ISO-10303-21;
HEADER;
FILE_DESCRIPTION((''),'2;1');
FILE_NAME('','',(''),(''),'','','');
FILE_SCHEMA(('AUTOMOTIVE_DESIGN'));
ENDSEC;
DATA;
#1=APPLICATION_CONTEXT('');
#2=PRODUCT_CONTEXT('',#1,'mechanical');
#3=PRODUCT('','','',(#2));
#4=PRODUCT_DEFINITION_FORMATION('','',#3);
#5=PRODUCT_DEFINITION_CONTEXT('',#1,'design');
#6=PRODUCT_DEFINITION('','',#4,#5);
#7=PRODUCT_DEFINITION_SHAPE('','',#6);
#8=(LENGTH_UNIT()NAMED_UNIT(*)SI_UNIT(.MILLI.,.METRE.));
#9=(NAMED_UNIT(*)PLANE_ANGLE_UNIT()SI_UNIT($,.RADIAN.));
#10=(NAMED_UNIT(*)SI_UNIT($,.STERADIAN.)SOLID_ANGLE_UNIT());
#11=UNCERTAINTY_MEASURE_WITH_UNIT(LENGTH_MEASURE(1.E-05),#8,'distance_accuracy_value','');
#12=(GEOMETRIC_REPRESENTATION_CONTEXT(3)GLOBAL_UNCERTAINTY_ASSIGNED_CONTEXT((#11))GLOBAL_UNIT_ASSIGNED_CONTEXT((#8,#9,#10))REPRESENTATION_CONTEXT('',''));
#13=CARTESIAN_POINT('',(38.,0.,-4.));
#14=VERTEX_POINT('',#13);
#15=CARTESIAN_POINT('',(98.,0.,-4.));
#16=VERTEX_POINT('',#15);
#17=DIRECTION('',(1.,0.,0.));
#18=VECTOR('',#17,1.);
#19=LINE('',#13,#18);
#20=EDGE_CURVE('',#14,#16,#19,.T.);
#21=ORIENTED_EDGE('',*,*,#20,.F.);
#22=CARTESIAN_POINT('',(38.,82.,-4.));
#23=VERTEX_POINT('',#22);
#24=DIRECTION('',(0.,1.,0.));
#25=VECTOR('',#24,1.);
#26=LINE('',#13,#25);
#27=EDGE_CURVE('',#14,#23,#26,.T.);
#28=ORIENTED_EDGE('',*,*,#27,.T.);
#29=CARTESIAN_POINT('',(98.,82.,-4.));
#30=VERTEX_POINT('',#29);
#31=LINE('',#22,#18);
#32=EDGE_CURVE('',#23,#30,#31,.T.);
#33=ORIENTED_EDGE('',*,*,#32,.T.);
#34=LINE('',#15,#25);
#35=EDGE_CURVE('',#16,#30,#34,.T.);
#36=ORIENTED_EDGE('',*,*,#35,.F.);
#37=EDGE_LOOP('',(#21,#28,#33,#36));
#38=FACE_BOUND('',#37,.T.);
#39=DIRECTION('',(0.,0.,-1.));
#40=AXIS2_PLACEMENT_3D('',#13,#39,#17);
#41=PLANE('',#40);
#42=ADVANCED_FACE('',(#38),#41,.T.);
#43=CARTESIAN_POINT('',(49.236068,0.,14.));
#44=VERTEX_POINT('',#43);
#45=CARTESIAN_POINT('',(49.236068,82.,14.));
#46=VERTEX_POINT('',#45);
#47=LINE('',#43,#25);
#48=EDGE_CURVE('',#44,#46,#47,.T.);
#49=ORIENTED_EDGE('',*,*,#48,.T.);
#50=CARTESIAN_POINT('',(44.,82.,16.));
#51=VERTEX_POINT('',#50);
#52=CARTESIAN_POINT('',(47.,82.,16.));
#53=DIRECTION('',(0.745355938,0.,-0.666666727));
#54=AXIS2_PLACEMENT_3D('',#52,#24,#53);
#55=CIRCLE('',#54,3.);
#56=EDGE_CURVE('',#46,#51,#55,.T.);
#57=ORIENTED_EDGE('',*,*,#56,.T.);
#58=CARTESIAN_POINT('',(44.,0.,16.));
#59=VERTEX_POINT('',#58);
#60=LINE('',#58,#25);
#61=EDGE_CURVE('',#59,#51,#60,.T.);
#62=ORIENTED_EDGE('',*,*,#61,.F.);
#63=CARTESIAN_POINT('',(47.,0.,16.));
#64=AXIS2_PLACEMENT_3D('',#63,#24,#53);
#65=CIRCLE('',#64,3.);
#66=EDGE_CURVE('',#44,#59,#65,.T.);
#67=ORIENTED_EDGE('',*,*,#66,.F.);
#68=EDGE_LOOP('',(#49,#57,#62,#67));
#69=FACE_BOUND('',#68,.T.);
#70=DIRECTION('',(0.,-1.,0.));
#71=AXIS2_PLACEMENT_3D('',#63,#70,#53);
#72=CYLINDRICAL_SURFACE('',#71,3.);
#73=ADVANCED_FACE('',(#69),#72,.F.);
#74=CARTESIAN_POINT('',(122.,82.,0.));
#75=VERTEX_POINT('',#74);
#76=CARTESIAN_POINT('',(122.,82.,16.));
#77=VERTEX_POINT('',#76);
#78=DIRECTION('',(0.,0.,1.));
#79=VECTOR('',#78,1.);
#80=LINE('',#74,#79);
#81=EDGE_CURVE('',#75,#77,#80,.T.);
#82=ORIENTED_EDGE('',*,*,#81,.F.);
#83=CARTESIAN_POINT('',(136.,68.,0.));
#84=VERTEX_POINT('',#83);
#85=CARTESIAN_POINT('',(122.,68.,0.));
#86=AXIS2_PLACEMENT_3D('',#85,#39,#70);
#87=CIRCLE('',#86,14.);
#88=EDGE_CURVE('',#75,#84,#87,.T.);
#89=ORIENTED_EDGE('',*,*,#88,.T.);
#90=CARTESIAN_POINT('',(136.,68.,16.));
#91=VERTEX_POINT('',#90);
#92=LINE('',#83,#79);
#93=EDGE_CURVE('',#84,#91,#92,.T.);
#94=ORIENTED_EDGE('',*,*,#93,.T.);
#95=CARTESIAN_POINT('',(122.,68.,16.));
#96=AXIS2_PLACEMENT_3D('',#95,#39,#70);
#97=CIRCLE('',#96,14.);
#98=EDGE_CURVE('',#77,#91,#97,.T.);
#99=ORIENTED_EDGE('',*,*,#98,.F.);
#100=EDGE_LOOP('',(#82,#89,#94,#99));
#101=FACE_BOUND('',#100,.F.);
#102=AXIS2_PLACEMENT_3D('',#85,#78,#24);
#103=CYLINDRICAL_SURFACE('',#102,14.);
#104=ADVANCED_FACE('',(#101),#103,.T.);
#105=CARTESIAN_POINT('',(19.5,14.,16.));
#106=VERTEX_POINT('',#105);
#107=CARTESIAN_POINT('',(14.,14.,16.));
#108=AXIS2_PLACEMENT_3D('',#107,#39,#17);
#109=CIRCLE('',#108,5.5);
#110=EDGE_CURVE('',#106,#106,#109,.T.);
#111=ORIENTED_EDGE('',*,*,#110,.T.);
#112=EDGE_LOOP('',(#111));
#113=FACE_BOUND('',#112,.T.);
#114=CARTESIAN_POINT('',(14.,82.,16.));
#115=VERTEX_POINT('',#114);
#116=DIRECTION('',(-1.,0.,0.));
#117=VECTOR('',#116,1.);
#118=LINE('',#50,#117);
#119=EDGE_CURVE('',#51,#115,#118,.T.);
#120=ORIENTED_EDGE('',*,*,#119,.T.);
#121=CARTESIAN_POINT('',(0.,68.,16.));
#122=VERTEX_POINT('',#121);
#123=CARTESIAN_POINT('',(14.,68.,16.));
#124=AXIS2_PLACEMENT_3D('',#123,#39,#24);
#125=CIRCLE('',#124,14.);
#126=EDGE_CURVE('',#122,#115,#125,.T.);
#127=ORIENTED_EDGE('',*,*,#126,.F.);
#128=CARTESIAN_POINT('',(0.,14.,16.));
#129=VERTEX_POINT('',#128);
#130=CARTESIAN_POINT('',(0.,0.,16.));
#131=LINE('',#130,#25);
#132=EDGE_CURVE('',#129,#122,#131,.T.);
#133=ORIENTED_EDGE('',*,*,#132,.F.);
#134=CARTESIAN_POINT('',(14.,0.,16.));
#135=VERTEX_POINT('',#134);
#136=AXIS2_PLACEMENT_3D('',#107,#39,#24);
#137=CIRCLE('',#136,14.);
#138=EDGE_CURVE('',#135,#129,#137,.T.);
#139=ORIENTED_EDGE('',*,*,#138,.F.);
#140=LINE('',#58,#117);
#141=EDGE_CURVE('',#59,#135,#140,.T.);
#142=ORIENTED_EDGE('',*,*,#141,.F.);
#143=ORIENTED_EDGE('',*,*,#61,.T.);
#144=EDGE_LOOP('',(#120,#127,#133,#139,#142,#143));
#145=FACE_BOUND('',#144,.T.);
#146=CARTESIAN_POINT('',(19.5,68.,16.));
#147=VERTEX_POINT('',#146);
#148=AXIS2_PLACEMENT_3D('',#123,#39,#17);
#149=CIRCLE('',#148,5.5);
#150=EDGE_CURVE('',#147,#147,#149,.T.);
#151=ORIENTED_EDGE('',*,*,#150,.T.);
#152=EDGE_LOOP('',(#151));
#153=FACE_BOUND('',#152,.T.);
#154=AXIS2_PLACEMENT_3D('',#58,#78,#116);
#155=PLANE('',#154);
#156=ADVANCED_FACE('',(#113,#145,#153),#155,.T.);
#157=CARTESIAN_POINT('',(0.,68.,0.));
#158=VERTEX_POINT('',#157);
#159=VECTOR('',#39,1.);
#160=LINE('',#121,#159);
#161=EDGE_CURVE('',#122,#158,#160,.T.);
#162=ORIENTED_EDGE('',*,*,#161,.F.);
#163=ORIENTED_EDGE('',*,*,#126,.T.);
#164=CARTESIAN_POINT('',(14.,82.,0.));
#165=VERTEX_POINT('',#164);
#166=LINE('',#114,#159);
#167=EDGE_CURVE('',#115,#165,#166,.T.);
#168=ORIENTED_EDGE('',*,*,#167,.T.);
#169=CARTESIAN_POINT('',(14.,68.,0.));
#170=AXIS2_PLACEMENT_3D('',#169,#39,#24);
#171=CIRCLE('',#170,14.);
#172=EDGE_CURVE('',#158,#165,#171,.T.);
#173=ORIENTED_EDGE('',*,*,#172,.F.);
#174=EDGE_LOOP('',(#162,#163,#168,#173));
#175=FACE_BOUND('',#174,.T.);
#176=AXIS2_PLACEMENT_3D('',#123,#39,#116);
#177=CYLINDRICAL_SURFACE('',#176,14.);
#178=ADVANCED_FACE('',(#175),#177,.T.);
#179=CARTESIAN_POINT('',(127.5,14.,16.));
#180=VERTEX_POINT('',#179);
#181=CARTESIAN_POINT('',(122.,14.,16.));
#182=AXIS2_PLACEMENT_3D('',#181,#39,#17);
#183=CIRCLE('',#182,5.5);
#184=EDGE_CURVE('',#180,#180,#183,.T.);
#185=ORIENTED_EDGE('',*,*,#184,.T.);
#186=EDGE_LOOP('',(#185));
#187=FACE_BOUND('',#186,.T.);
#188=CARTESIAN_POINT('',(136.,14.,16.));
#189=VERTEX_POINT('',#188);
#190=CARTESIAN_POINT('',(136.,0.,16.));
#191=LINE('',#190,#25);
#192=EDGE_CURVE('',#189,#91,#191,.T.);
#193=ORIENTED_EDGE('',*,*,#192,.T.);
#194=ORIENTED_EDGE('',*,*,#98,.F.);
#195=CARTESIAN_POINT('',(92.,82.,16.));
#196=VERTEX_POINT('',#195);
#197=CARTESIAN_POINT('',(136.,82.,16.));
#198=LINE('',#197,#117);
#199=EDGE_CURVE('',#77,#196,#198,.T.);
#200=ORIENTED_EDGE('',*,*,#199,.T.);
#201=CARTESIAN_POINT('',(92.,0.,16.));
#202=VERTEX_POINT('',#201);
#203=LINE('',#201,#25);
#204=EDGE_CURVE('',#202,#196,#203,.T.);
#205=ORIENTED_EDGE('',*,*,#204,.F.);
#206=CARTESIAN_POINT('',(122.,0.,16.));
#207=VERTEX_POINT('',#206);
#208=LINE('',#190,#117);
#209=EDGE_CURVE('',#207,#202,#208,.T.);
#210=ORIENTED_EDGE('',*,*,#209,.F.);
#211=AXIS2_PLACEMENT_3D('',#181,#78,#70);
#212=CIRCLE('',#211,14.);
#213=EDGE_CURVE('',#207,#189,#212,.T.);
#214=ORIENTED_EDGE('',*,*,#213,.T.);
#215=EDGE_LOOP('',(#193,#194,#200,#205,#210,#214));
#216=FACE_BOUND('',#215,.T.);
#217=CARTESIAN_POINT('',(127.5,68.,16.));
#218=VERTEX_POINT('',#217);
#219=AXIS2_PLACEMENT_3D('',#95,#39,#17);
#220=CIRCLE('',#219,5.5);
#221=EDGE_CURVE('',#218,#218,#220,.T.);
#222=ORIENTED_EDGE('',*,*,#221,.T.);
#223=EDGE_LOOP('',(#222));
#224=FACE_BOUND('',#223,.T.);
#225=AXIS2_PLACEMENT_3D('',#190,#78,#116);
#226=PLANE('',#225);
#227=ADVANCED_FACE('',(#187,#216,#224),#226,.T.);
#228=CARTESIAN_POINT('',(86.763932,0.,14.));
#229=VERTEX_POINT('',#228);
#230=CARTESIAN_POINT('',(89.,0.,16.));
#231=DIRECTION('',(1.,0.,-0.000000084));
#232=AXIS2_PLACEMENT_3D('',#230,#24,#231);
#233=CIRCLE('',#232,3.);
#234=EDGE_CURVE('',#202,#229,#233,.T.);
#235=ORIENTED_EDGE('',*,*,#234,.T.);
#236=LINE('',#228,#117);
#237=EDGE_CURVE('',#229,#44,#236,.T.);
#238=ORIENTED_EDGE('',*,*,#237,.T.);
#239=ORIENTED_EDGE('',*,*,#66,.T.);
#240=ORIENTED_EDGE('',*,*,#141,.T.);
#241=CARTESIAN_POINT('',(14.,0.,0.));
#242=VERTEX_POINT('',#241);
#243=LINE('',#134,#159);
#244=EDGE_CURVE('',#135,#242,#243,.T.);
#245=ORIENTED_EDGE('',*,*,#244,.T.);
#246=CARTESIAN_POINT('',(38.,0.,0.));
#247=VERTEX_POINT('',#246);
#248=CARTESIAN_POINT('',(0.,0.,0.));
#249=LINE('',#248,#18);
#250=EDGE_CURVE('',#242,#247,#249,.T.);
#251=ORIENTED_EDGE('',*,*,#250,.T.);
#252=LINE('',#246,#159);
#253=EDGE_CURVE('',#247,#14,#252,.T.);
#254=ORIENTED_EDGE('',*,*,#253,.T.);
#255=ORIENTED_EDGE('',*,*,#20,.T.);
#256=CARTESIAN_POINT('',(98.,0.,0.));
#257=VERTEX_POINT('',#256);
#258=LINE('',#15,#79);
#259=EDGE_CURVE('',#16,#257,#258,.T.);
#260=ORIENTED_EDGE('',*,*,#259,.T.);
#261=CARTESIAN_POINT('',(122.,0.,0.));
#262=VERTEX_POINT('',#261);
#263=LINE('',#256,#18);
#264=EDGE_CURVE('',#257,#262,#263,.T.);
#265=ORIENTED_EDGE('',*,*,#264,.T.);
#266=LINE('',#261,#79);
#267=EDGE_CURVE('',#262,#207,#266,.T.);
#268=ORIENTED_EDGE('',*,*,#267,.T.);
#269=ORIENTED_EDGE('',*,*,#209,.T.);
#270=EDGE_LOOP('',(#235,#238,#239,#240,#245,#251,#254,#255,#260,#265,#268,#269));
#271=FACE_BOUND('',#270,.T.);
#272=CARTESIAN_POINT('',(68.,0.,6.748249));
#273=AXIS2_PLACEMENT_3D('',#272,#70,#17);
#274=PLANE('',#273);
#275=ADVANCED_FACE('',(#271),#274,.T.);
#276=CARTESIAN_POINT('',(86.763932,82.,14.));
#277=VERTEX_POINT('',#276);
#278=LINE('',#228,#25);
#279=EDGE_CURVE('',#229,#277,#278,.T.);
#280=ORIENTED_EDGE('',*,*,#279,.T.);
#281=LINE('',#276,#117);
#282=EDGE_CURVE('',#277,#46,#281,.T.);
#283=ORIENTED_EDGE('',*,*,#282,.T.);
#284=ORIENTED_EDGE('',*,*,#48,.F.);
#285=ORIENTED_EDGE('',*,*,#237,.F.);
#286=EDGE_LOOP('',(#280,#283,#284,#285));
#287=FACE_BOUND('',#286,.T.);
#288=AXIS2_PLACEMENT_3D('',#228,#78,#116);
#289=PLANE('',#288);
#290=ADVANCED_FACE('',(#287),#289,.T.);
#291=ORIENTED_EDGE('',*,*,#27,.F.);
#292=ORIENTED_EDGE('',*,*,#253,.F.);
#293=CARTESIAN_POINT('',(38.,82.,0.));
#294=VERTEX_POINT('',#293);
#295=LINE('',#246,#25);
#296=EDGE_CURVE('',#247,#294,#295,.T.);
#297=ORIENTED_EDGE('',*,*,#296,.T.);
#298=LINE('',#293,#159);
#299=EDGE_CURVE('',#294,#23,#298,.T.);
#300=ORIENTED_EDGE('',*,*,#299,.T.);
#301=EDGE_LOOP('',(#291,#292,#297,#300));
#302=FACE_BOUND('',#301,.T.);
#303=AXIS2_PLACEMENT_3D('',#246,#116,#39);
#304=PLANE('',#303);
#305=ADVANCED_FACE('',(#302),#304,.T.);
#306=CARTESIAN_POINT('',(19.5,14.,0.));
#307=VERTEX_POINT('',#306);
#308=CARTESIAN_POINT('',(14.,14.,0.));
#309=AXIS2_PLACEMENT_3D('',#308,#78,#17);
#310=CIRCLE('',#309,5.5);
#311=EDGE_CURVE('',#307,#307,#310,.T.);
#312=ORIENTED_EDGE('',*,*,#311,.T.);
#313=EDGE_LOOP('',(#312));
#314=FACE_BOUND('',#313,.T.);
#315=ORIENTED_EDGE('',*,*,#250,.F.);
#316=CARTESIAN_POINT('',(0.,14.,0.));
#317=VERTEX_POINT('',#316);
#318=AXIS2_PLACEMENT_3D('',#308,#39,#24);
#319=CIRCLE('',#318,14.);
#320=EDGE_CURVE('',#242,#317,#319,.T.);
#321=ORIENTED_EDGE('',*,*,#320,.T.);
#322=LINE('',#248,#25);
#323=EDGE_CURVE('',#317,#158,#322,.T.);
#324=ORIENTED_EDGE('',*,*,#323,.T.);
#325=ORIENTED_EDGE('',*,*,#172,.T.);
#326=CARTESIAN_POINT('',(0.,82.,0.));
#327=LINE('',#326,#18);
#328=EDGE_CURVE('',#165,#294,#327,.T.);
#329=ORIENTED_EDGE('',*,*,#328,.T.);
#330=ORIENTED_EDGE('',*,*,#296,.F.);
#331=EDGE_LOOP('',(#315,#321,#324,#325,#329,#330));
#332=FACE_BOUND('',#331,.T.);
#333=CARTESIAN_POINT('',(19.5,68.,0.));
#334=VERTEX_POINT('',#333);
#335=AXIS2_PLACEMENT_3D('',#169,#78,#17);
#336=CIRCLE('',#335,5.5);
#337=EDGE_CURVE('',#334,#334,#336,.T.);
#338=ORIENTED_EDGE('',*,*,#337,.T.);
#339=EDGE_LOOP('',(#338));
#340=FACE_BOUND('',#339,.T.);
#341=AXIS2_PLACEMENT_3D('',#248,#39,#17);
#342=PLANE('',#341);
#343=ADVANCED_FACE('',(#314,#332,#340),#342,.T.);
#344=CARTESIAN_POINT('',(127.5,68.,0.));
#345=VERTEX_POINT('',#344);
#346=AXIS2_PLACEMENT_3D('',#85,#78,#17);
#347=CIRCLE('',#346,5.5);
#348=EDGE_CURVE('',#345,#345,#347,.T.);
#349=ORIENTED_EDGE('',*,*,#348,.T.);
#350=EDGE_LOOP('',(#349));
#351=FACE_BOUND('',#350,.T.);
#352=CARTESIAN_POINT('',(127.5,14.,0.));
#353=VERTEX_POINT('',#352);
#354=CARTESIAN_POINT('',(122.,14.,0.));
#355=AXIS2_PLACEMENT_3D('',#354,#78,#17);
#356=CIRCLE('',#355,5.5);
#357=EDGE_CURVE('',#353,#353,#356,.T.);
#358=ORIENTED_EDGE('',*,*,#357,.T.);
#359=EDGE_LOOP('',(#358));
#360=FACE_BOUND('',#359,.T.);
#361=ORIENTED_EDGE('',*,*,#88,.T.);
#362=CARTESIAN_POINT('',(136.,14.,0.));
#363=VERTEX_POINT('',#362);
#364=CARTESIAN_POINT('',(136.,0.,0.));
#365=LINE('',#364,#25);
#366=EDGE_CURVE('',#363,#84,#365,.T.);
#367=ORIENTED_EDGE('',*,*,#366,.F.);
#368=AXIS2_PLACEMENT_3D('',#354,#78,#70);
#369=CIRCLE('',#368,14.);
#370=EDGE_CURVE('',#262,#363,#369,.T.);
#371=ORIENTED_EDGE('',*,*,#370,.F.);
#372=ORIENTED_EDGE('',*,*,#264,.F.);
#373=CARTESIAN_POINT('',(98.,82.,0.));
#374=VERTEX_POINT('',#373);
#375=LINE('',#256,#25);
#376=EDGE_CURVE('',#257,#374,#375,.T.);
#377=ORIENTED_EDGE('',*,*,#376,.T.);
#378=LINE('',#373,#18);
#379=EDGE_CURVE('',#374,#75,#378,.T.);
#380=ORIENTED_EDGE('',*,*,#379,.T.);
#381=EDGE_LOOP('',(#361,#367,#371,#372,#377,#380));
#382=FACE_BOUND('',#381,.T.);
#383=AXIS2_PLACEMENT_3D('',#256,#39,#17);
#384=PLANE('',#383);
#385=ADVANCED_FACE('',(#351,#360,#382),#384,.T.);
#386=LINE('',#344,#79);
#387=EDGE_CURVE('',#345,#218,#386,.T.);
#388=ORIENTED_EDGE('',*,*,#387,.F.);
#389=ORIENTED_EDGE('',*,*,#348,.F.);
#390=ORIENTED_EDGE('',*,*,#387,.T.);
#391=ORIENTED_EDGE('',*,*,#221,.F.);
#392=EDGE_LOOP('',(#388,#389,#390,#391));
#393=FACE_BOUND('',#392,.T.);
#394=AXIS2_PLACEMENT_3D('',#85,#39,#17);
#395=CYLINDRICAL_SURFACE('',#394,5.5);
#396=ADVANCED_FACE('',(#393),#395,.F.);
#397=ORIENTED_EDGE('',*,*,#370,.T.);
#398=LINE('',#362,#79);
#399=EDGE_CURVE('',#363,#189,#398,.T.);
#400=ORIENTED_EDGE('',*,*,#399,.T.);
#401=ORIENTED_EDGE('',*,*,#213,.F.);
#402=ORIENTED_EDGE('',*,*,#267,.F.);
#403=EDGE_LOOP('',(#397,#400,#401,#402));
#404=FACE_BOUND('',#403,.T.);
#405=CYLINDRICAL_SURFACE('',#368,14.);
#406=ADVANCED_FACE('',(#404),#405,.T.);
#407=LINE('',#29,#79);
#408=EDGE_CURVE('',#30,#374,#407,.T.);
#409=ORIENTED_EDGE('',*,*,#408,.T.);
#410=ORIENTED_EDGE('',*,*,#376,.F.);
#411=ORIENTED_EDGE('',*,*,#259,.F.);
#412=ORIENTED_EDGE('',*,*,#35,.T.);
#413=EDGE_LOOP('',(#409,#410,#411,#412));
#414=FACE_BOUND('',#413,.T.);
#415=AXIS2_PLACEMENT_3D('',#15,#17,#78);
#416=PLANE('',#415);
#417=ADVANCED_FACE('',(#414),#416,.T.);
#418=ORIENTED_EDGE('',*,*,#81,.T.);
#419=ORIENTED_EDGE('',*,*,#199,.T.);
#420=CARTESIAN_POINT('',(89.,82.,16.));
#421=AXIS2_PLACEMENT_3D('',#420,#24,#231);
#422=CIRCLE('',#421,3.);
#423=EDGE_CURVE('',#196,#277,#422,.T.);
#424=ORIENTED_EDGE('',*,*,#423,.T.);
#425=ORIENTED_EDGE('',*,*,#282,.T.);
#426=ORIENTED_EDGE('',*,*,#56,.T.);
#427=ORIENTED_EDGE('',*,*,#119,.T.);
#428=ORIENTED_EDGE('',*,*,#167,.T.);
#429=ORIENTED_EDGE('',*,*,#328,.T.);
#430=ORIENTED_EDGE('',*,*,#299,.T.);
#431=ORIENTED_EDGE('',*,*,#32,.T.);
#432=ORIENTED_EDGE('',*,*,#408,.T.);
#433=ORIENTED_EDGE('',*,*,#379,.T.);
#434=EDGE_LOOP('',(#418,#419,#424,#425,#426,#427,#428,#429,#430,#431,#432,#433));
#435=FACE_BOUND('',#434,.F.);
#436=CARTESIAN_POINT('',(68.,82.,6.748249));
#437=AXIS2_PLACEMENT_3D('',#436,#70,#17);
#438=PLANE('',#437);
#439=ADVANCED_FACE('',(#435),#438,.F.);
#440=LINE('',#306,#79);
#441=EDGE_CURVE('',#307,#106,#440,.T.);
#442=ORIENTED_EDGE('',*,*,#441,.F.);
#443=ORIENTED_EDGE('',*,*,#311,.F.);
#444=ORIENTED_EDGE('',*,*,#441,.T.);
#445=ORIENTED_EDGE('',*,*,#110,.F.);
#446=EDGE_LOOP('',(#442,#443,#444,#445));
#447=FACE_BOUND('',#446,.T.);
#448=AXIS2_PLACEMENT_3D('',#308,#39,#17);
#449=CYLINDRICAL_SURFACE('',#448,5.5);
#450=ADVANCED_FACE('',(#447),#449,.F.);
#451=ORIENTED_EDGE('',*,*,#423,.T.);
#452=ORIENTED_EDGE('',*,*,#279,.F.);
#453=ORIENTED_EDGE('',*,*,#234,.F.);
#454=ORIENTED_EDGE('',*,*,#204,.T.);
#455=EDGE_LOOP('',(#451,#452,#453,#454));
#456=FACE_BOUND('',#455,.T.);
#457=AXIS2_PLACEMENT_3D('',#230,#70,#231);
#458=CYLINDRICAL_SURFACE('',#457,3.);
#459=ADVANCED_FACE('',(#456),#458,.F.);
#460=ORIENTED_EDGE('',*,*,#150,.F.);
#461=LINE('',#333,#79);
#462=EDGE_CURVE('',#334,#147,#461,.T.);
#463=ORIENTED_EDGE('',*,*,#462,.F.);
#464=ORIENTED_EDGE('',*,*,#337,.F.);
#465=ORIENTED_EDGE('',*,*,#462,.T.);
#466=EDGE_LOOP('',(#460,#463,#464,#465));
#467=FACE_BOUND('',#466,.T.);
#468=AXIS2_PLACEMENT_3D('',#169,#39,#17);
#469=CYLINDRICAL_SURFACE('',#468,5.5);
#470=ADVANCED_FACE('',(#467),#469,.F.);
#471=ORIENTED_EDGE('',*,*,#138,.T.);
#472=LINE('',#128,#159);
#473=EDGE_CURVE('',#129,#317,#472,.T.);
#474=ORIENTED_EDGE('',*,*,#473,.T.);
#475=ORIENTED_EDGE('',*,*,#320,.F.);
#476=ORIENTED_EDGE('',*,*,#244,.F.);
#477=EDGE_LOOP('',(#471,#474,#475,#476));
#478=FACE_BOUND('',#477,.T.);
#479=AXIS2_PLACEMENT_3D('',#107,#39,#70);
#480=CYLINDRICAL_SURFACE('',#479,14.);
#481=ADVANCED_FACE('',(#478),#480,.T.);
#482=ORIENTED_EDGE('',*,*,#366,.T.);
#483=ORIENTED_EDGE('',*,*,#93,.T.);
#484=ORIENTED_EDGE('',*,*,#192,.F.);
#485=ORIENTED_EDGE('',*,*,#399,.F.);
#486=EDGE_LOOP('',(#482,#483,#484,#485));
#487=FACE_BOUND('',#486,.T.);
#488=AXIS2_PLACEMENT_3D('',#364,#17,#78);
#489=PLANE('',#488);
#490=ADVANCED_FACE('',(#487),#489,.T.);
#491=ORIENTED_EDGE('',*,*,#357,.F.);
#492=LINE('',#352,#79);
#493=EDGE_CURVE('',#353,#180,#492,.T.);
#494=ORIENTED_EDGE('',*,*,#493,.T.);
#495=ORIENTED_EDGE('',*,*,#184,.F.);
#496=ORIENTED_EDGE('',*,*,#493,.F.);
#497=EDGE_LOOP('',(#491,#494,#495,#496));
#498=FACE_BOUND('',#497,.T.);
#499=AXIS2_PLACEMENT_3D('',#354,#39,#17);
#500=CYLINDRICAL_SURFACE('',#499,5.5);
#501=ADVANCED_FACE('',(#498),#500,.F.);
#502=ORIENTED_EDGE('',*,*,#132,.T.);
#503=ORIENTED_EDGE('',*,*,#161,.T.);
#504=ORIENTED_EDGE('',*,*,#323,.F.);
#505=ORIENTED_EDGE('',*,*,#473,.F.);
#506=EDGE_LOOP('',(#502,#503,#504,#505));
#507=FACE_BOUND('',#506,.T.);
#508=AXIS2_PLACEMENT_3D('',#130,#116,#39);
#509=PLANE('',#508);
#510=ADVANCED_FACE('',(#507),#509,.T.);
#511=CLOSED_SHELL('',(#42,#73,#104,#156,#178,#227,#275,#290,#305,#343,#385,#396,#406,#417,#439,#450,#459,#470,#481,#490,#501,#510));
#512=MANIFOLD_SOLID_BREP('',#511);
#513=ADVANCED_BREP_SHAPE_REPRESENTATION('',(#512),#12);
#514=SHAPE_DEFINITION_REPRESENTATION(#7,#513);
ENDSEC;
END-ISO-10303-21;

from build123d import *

# Parameters (mm, degrees)
F1_DEPTH = 82
F2_R     = 5.5
F3_DEPTH = 16.001
F4_R     = 14
F5_R     = 14


with BuildPart() as f1:
    # F0 (on Front) → F1 (new body)
    with BuildSketch(Plane.XZ):
        with BuildLine():
            Line((0, 16), (0, 0))
            Line((0, 0), (38, 0))
            Line((38, 0), (38, -4))
            Line((38, -4), (98, -4))
            Line((98, -4), (98, 0))
            Line((98, 0), (136, 0))
            Line((136, 0), (136, 16))
            Line((136, 16), (92, 16))
            ThreePointArc((92, 16), (90.070466, 13.197483), (86.763932, 14))
            Line((86.763932, 14), (49.236068, 14))
            ThreePointArc((49.236068, 14), (45.929534, 13.197483), (44, 16))
            Line((44, 16), (0, 16))
        make_face()
    extrude(amount=-F1_DEPTH)

    # F2 (on Top) → F3 (cut, through all)
    with BuildSketch(Plane.XY):
        with Locations((14, 68)):
            Circle(F2_R)
        with Locations((14, 14)):
            Circle(F2_R)
        with Locations((122, 68)):
            Circle(F2_R)
        with Locations((122, 14)):
            Circle(F2_R)
    extrude(amount=F3_DEPTH, mode=Mode.SUBTRACT)

    # F4
    f4_edges = [f1.edges().sort_by_distance(p)[0] for p in [
        (136, 0, 8),
        (136, 82, 8),
    ]]
    fillet(f4_edges, radius=F4_R)

    # F5
    f5_edges = [f1.edges().sort_by_distance(p)[0] for p in [
        (0, 0, 8),
        (0, 82, 8),
    ]]
    fillet(f5_edges, radius=F5_R)


solid = f1.part
